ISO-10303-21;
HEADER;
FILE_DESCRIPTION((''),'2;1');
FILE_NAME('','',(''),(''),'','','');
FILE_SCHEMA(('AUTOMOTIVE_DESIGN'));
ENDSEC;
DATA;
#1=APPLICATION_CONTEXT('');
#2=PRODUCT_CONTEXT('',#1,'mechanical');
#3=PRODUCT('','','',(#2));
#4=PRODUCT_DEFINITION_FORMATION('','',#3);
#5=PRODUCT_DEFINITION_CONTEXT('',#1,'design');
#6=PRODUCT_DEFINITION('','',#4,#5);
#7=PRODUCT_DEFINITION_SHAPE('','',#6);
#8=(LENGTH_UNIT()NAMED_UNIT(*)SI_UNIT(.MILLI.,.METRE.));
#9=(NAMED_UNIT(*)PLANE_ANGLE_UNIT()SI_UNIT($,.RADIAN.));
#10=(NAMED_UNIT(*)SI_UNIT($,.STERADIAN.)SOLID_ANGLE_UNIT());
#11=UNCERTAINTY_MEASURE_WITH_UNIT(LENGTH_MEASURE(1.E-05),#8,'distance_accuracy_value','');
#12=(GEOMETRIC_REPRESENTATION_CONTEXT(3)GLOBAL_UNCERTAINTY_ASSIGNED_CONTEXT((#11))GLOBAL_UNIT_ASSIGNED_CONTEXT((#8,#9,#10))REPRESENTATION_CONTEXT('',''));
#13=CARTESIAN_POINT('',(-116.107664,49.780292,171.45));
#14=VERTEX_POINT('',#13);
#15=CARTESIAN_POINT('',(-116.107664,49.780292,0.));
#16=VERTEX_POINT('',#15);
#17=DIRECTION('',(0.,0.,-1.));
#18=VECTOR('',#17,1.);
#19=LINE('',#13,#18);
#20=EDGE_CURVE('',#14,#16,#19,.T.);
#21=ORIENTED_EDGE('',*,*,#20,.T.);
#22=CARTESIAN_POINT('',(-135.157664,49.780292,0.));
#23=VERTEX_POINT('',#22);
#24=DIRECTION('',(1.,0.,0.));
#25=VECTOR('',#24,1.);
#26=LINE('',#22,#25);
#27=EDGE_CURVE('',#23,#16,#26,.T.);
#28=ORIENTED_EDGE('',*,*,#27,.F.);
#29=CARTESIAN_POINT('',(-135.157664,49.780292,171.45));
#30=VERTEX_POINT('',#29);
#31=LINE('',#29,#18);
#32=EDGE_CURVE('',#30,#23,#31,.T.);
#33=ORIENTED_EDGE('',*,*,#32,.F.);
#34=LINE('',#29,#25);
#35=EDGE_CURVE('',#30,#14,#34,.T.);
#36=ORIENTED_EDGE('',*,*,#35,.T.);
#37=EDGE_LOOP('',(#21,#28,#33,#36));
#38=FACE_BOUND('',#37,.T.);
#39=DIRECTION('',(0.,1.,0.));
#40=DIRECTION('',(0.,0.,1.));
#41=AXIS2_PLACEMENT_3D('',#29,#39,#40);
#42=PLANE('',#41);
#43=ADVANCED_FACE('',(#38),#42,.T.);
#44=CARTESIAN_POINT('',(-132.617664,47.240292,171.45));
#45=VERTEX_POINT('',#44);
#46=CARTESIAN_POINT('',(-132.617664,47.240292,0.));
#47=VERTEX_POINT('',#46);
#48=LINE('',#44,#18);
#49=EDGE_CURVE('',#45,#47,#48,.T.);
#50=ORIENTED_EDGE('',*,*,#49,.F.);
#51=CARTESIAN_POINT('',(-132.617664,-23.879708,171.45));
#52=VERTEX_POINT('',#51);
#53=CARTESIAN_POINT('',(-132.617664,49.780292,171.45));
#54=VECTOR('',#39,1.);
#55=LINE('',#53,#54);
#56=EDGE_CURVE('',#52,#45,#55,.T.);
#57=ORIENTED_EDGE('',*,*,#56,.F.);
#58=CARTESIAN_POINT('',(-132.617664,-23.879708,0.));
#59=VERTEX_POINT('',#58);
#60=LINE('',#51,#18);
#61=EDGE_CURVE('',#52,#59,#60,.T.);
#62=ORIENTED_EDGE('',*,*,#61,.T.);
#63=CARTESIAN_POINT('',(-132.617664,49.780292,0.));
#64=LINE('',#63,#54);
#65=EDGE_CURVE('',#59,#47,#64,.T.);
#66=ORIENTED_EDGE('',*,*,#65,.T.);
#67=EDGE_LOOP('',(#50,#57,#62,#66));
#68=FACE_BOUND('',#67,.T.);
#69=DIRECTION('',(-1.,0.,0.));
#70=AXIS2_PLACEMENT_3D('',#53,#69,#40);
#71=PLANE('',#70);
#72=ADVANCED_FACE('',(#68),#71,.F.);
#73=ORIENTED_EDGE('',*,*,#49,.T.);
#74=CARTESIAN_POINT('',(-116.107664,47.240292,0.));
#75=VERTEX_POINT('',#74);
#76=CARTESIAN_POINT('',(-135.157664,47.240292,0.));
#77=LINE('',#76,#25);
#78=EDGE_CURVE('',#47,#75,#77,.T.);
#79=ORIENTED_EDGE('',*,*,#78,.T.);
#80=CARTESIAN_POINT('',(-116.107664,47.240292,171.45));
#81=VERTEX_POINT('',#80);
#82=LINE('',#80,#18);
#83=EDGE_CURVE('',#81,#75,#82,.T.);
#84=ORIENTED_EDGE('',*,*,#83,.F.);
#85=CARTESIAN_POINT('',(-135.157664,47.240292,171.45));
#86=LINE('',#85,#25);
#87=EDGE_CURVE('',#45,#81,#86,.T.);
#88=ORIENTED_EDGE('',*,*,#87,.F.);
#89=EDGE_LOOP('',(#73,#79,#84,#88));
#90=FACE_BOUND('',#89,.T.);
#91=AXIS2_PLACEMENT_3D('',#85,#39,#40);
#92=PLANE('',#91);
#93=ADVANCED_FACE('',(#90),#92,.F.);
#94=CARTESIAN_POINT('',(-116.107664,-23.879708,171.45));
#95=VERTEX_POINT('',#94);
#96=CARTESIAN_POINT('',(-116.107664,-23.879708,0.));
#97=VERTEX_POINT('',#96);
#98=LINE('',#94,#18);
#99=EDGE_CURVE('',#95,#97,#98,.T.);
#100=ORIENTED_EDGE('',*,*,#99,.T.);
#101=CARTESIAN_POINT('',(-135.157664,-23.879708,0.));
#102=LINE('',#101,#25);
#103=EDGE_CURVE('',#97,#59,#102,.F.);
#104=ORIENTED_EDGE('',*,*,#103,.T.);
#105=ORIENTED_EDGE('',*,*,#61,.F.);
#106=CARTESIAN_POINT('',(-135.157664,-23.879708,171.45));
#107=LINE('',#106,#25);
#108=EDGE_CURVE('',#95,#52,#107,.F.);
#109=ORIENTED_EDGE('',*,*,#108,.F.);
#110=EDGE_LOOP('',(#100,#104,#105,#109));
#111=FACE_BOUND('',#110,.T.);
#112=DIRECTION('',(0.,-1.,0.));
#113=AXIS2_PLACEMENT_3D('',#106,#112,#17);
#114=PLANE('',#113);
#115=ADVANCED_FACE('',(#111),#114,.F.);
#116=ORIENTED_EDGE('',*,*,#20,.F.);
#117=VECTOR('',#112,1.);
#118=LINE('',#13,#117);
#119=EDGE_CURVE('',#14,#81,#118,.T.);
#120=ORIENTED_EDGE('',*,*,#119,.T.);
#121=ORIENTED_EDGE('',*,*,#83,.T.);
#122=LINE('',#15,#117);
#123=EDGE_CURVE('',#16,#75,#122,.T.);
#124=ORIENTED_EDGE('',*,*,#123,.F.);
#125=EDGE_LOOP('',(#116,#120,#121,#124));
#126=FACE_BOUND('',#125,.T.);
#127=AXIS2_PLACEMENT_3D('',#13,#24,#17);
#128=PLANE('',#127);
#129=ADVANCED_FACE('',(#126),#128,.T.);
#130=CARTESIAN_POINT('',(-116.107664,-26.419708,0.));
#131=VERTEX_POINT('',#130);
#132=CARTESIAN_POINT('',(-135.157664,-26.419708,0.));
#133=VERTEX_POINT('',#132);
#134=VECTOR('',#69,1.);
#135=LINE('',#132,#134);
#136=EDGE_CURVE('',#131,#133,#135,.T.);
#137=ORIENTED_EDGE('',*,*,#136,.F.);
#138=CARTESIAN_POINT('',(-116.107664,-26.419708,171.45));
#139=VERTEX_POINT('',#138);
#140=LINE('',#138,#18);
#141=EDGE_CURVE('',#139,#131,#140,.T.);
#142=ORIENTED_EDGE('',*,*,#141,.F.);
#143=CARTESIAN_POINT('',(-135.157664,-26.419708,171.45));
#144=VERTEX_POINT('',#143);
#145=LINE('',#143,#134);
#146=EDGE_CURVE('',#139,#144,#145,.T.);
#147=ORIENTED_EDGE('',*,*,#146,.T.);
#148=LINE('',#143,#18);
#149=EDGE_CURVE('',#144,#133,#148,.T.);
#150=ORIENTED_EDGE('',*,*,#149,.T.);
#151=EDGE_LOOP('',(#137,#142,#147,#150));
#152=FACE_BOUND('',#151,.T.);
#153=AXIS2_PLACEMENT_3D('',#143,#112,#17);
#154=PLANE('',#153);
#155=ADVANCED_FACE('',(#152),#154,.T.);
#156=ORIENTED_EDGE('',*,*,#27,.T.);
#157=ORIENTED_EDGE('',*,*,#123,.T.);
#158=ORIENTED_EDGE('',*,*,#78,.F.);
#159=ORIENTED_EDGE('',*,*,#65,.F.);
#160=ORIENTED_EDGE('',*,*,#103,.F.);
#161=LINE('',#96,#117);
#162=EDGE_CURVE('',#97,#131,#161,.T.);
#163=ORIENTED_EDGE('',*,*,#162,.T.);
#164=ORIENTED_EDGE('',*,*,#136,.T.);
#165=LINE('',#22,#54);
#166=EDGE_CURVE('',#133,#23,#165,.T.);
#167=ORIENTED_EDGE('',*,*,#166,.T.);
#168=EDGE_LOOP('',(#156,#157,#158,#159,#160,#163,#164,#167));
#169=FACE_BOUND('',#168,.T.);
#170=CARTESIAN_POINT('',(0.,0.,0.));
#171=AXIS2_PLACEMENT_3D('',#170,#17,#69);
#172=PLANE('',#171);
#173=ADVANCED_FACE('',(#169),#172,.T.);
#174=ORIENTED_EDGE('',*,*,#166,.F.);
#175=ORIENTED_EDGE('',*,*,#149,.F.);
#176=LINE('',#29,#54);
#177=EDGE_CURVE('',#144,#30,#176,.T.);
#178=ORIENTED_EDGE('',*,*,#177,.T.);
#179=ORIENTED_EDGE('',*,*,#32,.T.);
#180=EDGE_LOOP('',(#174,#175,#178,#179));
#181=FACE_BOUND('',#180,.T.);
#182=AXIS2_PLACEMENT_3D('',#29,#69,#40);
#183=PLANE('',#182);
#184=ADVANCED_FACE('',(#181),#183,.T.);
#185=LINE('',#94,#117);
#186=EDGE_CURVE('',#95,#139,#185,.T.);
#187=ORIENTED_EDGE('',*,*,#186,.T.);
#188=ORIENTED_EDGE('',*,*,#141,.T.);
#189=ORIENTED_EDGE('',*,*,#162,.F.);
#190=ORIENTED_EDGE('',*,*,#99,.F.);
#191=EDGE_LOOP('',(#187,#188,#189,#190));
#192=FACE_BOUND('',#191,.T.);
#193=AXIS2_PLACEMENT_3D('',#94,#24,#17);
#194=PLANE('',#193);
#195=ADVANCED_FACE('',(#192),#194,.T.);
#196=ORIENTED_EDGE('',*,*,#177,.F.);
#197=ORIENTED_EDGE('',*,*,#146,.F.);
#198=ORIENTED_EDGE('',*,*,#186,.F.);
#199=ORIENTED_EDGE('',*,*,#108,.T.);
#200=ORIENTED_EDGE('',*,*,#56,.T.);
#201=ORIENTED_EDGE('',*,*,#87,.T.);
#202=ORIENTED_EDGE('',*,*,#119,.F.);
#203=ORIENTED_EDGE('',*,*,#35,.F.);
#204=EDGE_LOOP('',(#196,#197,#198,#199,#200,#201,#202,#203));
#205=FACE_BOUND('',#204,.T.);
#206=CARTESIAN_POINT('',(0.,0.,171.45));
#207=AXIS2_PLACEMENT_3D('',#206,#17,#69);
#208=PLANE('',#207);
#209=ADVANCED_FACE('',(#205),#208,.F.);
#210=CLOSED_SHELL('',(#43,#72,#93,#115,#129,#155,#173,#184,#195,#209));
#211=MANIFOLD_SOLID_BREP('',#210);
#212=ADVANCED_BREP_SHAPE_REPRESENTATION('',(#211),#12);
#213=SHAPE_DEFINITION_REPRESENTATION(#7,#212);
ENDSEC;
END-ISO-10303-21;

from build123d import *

# Parameters (mm, degrees)
EXTRUDE_THIN1_DEPTH = 171.45


with BuildPart() as part:
    # Sketch1 → Extrude-Thin1 (new body)
    with BuildSketch(Plane.XY):
        Polygon((-116.107664234, 49.780291971), (-135.157664234, 49.780291971), (-135.157664234, -26.419708029), (-116.107664234, -26.419708029), (-116.107664234, -23.879708029), (-132.617664234, -23.879708029), (-132.617664234, 47.240291971), (-116.107664234, 47.240291971), align=None)
    extrude(amount=EXTRUDE_THIN1_DEPTH)


solid = part.part
